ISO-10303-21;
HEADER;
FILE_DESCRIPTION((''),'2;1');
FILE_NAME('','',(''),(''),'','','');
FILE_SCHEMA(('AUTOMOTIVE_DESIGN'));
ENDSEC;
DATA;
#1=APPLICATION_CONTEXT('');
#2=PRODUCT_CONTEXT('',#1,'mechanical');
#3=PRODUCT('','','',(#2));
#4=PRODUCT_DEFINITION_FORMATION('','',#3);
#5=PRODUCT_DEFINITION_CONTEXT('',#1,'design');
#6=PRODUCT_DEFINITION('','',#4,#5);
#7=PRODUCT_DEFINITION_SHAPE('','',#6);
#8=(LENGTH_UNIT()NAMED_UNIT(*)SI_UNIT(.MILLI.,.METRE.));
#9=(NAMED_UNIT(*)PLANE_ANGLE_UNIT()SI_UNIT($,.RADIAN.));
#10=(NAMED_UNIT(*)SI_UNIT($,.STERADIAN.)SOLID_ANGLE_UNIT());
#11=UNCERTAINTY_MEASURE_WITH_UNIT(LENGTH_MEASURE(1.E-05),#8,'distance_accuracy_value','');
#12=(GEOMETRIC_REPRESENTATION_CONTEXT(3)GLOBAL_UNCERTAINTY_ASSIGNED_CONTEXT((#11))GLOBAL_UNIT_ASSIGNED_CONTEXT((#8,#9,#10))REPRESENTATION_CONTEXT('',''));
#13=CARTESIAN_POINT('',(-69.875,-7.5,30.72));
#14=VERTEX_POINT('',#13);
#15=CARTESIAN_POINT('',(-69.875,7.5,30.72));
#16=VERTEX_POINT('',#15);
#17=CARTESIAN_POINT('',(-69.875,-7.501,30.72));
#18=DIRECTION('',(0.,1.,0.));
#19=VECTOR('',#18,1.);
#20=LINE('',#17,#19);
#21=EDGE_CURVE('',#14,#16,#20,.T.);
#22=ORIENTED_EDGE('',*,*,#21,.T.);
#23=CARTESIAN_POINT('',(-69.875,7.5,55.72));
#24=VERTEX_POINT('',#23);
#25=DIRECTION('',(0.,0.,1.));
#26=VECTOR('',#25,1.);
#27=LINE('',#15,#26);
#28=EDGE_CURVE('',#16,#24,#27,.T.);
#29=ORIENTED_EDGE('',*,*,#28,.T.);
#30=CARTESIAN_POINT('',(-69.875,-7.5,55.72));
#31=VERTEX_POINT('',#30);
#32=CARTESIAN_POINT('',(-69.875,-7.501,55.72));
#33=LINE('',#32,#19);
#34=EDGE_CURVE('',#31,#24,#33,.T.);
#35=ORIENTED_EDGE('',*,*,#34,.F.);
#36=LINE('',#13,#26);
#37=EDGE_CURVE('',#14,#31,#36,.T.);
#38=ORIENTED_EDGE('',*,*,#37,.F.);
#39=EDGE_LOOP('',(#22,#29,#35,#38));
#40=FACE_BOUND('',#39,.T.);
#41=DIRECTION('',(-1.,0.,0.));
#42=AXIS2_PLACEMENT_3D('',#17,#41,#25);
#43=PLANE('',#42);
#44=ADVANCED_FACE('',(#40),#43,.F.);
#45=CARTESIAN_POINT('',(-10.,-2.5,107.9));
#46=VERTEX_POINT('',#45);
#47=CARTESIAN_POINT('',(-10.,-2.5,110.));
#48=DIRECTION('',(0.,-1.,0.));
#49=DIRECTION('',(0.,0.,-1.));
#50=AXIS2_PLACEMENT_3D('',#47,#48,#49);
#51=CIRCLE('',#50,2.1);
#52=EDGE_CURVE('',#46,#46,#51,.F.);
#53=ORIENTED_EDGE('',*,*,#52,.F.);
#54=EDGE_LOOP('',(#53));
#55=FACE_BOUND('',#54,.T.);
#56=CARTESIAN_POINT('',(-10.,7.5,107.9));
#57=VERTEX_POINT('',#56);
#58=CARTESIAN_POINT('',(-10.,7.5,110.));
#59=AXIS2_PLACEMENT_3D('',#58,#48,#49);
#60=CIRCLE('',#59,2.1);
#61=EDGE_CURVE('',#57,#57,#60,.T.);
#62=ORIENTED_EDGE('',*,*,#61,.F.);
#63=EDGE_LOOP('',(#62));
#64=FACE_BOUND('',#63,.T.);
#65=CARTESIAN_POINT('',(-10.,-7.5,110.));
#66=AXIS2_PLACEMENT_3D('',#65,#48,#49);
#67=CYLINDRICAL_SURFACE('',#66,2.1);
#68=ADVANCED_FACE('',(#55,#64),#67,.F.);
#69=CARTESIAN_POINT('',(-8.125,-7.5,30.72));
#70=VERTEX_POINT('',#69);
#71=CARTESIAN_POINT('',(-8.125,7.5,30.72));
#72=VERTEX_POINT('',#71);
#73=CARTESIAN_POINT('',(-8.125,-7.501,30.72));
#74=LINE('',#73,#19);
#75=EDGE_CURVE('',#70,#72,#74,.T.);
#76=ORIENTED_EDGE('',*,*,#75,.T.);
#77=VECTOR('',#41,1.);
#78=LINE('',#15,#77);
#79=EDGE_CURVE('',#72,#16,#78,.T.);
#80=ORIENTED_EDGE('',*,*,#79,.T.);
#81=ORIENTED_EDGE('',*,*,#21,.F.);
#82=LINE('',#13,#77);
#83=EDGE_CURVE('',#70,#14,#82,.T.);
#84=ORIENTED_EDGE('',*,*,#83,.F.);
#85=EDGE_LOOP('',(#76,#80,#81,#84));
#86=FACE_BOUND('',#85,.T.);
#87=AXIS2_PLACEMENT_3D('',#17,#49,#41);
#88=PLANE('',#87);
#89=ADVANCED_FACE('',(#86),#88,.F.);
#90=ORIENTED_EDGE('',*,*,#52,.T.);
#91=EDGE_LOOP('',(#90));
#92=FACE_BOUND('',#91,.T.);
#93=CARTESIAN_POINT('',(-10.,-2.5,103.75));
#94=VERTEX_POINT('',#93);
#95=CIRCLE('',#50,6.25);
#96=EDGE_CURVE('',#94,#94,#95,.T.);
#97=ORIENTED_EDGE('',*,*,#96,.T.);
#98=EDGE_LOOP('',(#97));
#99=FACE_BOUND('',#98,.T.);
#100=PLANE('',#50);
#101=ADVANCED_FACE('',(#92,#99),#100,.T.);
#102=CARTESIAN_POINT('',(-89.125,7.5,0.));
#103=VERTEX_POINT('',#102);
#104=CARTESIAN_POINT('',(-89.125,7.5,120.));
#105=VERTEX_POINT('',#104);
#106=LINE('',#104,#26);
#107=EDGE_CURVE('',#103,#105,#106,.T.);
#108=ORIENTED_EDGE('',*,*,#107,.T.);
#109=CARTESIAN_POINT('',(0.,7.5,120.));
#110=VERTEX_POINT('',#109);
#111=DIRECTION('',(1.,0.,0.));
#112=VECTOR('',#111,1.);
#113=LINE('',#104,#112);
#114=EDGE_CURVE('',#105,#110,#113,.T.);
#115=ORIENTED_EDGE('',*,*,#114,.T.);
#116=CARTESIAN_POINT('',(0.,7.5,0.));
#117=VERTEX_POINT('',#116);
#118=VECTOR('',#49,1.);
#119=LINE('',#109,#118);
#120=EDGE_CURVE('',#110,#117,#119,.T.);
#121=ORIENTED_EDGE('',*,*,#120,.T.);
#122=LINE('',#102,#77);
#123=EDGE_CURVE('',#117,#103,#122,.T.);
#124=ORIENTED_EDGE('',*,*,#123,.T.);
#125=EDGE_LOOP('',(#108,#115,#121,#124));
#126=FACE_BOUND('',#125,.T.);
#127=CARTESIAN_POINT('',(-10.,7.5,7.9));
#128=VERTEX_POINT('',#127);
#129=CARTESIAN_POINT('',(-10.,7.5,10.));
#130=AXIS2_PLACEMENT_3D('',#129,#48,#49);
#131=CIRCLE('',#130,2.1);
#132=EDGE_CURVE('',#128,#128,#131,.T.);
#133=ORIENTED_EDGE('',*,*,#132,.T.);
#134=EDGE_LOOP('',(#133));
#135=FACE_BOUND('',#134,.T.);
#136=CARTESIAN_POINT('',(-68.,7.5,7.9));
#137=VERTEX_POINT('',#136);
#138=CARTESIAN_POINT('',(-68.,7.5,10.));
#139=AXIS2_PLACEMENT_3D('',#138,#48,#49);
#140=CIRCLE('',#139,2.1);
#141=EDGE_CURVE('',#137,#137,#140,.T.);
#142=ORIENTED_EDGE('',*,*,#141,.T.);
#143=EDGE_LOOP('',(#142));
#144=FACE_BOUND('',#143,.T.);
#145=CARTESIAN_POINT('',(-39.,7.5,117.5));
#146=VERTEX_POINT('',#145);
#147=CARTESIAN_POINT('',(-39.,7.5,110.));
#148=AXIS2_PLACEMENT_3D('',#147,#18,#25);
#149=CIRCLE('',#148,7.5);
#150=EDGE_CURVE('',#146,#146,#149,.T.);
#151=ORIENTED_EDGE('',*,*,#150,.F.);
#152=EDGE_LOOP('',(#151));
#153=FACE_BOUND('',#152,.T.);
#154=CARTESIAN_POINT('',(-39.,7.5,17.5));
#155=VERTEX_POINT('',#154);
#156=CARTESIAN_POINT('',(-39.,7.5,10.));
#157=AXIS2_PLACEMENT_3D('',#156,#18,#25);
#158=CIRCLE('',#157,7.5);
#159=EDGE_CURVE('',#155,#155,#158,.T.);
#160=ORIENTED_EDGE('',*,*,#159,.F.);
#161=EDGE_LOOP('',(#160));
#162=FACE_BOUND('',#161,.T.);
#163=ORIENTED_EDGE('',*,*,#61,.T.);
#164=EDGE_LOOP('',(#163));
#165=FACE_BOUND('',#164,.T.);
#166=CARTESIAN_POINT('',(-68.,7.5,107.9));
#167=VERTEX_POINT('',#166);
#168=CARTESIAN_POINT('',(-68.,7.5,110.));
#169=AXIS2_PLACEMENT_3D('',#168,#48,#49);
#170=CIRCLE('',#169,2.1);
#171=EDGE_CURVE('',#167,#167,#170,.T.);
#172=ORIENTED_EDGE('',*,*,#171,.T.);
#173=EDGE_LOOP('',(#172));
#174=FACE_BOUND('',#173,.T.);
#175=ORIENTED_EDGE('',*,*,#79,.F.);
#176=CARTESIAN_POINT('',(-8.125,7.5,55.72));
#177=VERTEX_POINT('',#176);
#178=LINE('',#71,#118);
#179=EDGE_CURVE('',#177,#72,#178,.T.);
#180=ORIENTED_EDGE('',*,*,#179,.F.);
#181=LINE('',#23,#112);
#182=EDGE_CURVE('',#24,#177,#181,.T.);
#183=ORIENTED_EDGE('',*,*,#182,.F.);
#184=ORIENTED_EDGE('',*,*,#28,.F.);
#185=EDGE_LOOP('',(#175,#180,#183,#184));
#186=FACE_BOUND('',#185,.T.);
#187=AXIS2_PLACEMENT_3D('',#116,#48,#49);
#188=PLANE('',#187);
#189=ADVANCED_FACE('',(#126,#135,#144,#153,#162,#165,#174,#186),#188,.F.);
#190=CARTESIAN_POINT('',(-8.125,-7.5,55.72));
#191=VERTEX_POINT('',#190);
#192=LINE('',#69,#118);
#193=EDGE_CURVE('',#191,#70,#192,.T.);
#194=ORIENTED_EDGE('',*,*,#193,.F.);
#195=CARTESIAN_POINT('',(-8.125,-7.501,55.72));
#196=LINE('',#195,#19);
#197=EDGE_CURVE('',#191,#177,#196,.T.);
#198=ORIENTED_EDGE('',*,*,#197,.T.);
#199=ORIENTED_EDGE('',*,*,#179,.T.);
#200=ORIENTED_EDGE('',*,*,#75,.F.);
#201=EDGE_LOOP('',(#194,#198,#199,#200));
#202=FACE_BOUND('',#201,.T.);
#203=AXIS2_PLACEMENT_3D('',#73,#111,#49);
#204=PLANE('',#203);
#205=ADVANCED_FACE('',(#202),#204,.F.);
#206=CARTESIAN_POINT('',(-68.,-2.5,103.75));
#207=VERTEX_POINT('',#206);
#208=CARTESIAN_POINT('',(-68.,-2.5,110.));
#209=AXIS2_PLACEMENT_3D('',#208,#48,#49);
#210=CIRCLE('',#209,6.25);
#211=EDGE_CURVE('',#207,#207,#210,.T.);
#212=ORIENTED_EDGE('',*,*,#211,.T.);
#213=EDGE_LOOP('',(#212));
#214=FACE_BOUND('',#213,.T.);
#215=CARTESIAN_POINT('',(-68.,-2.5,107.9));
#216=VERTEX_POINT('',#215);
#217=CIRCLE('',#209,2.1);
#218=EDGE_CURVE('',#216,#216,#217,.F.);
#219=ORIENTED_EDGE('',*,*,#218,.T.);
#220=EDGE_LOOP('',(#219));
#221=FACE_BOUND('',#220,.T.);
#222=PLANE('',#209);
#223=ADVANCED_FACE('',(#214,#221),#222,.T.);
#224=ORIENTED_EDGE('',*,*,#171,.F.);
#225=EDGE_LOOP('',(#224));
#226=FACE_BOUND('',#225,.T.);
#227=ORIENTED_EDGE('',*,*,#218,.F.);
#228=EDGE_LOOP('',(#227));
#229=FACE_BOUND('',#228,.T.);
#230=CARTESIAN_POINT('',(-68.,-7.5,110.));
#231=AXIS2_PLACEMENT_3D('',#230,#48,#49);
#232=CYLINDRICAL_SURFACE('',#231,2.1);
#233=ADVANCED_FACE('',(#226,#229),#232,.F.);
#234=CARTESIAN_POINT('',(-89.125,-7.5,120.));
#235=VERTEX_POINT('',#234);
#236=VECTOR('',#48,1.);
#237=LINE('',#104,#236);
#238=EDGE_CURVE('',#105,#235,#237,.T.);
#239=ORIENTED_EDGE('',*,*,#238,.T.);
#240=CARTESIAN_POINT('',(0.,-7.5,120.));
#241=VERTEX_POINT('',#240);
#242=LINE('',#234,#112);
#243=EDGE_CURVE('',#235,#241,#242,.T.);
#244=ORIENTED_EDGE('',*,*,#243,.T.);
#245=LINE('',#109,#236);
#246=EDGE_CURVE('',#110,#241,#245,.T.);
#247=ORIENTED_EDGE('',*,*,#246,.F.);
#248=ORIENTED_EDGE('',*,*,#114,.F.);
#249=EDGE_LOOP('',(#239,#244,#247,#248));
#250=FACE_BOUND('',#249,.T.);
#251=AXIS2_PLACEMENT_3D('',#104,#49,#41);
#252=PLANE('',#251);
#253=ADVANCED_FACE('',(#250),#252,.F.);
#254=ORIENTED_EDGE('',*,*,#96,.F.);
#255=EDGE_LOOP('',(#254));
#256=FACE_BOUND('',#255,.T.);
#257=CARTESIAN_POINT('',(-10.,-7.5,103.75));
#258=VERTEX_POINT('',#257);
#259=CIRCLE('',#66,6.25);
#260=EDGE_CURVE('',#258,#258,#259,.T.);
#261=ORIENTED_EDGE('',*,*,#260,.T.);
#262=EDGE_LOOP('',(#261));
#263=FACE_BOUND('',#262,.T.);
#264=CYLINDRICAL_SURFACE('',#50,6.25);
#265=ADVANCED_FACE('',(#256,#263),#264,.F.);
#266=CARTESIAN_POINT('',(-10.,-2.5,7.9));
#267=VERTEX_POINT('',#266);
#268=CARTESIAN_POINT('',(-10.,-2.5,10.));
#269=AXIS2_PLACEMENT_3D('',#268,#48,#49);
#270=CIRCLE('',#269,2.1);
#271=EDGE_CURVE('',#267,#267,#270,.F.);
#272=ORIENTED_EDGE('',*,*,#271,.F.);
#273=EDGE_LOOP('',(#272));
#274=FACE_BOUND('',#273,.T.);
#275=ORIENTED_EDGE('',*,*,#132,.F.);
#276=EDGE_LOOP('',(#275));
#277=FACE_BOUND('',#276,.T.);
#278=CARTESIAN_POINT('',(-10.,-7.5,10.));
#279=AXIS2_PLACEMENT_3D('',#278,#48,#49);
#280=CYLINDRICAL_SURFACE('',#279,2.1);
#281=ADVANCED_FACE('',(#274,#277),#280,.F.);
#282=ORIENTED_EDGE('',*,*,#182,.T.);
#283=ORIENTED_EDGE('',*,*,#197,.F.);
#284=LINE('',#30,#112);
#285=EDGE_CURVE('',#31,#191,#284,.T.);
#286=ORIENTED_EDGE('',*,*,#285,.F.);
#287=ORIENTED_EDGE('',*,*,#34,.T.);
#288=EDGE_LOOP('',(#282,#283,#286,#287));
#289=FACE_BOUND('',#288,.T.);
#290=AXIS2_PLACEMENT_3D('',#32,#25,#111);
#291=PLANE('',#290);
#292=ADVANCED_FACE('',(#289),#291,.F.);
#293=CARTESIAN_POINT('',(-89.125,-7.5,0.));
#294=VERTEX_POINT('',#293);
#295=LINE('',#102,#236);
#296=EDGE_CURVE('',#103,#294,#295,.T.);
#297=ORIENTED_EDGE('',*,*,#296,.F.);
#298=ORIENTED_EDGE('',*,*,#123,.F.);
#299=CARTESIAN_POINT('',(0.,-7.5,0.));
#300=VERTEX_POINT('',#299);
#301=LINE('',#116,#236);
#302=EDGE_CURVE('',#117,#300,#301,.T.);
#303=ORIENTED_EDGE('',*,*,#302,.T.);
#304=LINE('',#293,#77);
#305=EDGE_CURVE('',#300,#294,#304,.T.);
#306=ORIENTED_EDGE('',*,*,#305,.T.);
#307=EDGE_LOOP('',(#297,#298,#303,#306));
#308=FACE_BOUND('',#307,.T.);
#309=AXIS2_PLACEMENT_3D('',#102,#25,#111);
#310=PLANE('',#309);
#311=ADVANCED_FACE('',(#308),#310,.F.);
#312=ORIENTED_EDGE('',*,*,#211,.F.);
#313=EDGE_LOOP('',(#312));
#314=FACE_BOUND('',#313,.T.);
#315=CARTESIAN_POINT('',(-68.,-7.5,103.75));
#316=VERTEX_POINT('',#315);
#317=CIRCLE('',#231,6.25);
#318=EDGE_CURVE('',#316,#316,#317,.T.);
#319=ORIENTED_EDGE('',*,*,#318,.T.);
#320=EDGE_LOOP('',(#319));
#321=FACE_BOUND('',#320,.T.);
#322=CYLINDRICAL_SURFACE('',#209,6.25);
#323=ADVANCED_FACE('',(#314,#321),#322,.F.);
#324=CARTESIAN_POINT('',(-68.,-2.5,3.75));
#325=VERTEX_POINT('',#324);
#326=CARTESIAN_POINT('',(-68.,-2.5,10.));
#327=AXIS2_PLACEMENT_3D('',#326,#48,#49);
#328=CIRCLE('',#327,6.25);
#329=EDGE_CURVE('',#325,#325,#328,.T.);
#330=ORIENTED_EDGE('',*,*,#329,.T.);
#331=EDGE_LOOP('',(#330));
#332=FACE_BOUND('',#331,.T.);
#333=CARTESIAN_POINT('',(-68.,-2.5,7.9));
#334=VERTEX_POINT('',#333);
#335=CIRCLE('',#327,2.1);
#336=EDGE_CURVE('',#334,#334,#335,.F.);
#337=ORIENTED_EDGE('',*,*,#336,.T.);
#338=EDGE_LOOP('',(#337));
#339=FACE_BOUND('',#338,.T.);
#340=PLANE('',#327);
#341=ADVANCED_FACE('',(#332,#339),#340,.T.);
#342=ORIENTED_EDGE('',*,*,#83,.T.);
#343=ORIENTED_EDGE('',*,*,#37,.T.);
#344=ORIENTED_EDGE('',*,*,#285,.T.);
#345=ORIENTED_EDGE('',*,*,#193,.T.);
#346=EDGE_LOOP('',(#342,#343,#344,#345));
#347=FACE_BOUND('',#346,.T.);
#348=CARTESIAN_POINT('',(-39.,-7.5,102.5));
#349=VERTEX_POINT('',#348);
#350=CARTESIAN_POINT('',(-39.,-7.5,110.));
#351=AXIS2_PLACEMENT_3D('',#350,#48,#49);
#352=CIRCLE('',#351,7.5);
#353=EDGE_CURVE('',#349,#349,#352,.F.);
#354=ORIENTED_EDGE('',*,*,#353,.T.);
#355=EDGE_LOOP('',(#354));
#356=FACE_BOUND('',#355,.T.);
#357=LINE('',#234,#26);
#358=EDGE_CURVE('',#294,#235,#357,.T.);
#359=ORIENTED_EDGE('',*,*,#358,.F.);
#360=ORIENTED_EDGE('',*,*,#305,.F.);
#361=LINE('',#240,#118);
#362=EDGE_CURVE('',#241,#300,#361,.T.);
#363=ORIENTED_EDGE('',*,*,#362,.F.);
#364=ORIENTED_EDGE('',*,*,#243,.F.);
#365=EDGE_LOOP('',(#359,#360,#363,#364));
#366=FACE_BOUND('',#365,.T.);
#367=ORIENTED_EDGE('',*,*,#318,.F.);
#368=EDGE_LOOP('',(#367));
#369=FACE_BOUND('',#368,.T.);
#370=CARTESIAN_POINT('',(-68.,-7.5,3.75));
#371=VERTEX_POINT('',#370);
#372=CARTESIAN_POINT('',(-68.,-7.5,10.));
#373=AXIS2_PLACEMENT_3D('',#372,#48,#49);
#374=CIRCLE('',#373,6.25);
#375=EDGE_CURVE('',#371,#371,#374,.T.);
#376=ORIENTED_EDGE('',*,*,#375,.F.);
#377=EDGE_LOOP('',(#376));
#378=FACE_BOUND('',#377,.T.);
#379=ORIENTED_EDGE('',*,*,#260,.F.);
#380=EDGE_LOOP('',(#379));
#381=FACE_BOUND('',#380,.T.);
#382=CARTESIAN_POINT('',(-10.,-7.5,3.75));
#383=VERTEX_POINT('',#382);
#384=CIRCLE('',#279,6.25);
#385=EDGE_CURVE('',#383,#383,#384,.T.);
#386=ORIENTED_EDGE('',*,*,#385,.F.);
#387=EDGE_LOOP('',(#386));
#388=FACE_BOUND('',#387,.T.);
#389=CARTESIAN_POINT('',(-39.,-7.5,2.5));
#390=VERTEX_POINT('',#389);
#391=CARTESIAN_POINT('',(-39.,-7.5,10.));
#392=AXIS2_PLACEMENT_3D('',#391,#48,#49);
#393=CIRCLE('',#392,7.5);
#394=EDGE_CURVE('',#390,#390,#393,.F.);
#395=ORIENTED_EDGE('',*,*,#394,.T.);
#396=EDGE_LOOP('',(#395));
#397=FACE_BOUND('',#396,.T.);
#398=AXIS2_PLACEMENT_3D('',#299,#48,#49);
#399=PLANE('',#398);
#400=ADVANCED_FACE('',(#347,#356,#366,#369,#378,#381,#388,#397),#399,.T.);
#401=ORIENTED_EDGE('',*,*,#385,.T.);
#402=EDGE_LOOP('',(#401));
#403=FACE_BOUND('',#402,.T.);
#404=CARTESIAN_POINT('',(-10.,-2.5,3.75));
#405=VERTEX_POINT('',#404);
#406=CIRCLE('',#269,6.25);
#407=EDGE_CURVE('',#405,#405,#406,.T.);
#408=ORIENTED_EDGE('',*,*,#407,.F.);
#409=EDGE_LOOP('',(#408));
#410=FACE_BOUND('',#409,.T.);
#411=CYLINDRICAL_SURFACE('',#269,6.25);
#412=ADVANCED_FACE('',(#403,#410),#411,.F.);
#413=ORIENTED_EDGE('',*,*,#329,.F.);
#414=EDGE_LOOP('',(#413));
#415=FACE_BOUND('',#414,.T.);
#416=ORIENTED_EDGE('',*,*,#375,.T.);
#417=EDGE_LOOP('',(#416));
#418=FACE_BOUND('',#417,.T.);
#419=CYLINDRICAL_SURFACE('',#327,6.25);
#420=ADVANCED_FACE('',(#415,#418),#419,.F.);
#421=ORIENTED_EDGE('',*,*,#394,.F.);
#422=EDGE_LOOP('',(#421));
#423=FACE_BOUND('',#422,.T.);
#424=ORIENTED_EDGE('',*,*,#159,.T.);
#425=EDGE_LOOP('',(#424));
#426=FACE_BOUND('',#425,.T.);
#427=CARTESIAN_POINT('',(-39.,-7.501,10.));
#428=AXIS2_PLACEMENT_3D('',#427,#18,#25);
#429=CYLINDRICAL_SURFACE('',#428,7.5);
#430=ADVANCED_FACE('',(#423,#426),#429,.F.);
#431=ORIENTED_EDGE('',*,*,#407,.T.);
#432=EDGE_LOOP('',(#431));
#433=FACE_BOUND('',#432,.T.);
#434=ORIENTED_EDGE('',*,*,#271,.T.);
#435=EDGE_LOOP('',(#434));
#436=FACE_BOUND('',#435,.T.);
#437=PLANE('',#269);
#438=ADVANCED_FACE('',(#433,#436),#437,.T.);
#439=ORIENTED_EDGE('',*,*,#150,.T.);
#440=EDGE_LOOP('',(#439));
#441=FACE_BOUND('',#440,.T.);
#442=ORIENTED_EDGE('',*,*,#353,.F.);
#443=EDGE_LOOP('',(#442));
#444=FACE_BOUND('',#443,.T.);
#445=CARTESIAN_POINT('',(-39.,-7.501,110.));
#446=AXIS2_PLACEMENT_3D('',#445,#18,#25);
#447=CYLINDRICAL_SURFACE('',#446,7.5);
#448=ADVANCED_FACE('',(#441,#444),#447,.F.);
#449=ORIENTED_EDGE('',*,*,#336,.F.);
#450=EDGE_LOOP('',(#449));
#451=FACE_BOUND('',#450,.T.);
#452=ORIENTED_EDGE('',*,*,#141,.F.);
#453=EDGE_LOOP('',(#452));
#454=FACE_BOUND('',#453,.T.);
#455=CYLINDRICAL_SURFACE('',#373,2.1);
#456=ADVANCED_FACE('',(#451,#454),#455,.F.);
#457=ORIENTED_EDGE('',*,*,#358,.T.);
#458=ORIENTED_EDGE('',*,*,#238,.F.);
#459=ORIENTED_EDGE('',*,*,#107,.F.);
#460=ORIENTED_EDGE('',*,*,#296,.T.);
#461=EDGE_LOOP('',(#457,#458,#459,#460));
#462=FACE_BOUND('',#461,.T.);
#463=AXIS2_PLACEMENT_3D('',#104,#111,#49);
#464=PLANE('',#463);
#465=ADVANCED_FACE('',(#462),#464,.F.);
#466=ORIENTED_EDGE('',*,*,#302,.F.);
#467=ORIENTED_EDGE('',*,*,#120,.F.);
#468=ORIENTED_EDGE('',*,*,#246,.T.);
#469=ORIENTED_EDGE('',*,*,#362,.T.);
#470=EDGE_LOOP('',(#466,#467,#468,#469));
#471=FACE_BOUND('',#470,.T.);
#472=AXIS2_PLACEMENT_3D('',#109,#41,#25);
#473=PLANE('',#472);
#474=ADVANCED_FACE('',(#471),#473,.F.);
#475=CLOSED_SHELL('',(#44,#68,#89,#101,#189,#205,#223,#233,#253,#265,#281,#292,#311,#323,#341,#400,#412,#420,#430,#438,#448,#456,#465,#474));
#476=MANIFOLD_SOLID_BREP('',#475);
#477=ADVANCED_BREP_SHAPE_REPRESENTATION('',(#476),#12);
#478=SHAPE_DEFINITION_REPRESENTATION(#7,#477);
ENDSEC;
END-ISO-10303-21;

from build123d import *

# Parameters (mm, degrees)
SKETCH1_W           = 89.125
SKETCH1_H           = 120
BOSS_EXTRUDE1_DEPTH = 7.5
CUT_EXTRUDE1_REACH  = 152.227
SKETCH3_W           = 61.75
SKETCH3_H           = 25
CUT_EXTRUDE2_REACH  = 152.227
SKETCH4_R           = 7.5
M5_TAPPED_HOLE1_D   = 4.2
SKETCH10_R          = 6.25
CUT_EXTRUDE3_DEPTH  = 5


with BuildPart() as part:
    # Sketch1 → Boss-Extrude1 (new, symmetric)
    with BuildSketch(Plane(origin=(0, 0, 0), x_dir=(1, 0, 0), z_dir=(0, 1, 0))):
        with Locations((-44.5625, -60)):
            Rectangle(SKETCH1_W, SKETCH1_H)
    extrude(amount=BOSS_EXTRUDE1_DEPTH, both=True)

    # Sketch3 → Cut-Extrude1 (cut, up to next)
    with BuildSketch(Plane(origin=(0, 7.5, 0), x_dir=(1, 0, 0), z_dir=(0, 1, 0)), mode=Mode.PRIVATE) as cut_extrude1_sk1:
        with Locations((-39, -43.22)):
            Rectangle(SKETCH3_W, SKETCH3_H)
    cut_extrude1_tool1 = extrude(cut_extrude1_sk1.sketch, amount=-CUT_EXTRUDE1_REACH, mode=Mode.PRIVATE) & part.part
    add(cut_extrude1_tool1.solids().sort_by_distance((-39, 7.5, 43.22))[0], mode=Mode.SUBTRACT)

    # Sketch4 → Cut-Extrude2 (cut, up to next)
    with BuildSketch(Plane(origin=(0, 7.5, 0), x_dir=(1, 0, 0), z_dir=(0, 1, 0)), mode=Mode.PRIVATE) as cut_extrude2_sk1:
        with Locations(Location((-39, -10, 0), (0, 0, 270))):
            Circle(SKETCH4_R)
    cut_extrude2_tool1 = extrude(cut_extrude2_sk1.sketch, amount=-CUT_EXTRUDE2_REACH, mode=Mode.PRIVATE) & part.part
    # Sketch4 → Cut-Extrude2 (cut, up to next)
    with BuildSketch(Plane(origin=(0, 7.5, 0), x_dir=(1, 0, 0), z_dir=(0, 1, 0)), mode=Mode.PRIVATE) as cut_extrude2_sk2:
        with Locations(Location((-39, -110, 0), (0, 0, 270))):
            Circle(SKETCH4_R)
    cut_extrude2_tool2 = extrude(cut_extrude2_sk2.sketch, amount=-CUT_EXTRUDE2_REACH, mode=Mode.PRIVATE) & part.part
    add(cut_extrude2_tool1.solids().sort_by_distance((-39, 7.5, 10))[0], mode=Mode.SUBTRACT)
    add(cut_extrude2_tool2.solids().sort_by_distance((-39, 7.5, 110))[0], mode=Mode.SUBTRACT)

    # M5 Tapped Hole1 (through all)
    with Locations(Plane(origin=(0, -7.5, 0), x_dir=(-1, 0, 0), z_dir=(0, -1, 0))):
        with Locations((10, -10), (68, -10), (68, -110), (10, -110)):
            Hole(M5_TAPPED_HOLE1_D / 2)

    # Sketch10 → Cut-Extrude3 (cut)
    with BuildSketch(Plane.XZ.offset(7.5)):
        with Locations(Location((-68, 110, 0), (0, 0, 270))):
            Circle(SKETCH10_R)
        with Locations(Location((-10, 110, 0), (0, 0, 270))):
            Circle(SKETCH10_R)
        with Locations(Location((-68, 10, 0), (0, 0, 270))):
            Circle(SKETCH10_R)
        with Locations(Location((-10, 10, 0), (0, 0, 270))):
            Circle(SKETCH10_R)
    extrude(amount=-CUT_EXTRUDE3_DEPTH, mode=Mode.SUBTRACT)


solid = part.part
